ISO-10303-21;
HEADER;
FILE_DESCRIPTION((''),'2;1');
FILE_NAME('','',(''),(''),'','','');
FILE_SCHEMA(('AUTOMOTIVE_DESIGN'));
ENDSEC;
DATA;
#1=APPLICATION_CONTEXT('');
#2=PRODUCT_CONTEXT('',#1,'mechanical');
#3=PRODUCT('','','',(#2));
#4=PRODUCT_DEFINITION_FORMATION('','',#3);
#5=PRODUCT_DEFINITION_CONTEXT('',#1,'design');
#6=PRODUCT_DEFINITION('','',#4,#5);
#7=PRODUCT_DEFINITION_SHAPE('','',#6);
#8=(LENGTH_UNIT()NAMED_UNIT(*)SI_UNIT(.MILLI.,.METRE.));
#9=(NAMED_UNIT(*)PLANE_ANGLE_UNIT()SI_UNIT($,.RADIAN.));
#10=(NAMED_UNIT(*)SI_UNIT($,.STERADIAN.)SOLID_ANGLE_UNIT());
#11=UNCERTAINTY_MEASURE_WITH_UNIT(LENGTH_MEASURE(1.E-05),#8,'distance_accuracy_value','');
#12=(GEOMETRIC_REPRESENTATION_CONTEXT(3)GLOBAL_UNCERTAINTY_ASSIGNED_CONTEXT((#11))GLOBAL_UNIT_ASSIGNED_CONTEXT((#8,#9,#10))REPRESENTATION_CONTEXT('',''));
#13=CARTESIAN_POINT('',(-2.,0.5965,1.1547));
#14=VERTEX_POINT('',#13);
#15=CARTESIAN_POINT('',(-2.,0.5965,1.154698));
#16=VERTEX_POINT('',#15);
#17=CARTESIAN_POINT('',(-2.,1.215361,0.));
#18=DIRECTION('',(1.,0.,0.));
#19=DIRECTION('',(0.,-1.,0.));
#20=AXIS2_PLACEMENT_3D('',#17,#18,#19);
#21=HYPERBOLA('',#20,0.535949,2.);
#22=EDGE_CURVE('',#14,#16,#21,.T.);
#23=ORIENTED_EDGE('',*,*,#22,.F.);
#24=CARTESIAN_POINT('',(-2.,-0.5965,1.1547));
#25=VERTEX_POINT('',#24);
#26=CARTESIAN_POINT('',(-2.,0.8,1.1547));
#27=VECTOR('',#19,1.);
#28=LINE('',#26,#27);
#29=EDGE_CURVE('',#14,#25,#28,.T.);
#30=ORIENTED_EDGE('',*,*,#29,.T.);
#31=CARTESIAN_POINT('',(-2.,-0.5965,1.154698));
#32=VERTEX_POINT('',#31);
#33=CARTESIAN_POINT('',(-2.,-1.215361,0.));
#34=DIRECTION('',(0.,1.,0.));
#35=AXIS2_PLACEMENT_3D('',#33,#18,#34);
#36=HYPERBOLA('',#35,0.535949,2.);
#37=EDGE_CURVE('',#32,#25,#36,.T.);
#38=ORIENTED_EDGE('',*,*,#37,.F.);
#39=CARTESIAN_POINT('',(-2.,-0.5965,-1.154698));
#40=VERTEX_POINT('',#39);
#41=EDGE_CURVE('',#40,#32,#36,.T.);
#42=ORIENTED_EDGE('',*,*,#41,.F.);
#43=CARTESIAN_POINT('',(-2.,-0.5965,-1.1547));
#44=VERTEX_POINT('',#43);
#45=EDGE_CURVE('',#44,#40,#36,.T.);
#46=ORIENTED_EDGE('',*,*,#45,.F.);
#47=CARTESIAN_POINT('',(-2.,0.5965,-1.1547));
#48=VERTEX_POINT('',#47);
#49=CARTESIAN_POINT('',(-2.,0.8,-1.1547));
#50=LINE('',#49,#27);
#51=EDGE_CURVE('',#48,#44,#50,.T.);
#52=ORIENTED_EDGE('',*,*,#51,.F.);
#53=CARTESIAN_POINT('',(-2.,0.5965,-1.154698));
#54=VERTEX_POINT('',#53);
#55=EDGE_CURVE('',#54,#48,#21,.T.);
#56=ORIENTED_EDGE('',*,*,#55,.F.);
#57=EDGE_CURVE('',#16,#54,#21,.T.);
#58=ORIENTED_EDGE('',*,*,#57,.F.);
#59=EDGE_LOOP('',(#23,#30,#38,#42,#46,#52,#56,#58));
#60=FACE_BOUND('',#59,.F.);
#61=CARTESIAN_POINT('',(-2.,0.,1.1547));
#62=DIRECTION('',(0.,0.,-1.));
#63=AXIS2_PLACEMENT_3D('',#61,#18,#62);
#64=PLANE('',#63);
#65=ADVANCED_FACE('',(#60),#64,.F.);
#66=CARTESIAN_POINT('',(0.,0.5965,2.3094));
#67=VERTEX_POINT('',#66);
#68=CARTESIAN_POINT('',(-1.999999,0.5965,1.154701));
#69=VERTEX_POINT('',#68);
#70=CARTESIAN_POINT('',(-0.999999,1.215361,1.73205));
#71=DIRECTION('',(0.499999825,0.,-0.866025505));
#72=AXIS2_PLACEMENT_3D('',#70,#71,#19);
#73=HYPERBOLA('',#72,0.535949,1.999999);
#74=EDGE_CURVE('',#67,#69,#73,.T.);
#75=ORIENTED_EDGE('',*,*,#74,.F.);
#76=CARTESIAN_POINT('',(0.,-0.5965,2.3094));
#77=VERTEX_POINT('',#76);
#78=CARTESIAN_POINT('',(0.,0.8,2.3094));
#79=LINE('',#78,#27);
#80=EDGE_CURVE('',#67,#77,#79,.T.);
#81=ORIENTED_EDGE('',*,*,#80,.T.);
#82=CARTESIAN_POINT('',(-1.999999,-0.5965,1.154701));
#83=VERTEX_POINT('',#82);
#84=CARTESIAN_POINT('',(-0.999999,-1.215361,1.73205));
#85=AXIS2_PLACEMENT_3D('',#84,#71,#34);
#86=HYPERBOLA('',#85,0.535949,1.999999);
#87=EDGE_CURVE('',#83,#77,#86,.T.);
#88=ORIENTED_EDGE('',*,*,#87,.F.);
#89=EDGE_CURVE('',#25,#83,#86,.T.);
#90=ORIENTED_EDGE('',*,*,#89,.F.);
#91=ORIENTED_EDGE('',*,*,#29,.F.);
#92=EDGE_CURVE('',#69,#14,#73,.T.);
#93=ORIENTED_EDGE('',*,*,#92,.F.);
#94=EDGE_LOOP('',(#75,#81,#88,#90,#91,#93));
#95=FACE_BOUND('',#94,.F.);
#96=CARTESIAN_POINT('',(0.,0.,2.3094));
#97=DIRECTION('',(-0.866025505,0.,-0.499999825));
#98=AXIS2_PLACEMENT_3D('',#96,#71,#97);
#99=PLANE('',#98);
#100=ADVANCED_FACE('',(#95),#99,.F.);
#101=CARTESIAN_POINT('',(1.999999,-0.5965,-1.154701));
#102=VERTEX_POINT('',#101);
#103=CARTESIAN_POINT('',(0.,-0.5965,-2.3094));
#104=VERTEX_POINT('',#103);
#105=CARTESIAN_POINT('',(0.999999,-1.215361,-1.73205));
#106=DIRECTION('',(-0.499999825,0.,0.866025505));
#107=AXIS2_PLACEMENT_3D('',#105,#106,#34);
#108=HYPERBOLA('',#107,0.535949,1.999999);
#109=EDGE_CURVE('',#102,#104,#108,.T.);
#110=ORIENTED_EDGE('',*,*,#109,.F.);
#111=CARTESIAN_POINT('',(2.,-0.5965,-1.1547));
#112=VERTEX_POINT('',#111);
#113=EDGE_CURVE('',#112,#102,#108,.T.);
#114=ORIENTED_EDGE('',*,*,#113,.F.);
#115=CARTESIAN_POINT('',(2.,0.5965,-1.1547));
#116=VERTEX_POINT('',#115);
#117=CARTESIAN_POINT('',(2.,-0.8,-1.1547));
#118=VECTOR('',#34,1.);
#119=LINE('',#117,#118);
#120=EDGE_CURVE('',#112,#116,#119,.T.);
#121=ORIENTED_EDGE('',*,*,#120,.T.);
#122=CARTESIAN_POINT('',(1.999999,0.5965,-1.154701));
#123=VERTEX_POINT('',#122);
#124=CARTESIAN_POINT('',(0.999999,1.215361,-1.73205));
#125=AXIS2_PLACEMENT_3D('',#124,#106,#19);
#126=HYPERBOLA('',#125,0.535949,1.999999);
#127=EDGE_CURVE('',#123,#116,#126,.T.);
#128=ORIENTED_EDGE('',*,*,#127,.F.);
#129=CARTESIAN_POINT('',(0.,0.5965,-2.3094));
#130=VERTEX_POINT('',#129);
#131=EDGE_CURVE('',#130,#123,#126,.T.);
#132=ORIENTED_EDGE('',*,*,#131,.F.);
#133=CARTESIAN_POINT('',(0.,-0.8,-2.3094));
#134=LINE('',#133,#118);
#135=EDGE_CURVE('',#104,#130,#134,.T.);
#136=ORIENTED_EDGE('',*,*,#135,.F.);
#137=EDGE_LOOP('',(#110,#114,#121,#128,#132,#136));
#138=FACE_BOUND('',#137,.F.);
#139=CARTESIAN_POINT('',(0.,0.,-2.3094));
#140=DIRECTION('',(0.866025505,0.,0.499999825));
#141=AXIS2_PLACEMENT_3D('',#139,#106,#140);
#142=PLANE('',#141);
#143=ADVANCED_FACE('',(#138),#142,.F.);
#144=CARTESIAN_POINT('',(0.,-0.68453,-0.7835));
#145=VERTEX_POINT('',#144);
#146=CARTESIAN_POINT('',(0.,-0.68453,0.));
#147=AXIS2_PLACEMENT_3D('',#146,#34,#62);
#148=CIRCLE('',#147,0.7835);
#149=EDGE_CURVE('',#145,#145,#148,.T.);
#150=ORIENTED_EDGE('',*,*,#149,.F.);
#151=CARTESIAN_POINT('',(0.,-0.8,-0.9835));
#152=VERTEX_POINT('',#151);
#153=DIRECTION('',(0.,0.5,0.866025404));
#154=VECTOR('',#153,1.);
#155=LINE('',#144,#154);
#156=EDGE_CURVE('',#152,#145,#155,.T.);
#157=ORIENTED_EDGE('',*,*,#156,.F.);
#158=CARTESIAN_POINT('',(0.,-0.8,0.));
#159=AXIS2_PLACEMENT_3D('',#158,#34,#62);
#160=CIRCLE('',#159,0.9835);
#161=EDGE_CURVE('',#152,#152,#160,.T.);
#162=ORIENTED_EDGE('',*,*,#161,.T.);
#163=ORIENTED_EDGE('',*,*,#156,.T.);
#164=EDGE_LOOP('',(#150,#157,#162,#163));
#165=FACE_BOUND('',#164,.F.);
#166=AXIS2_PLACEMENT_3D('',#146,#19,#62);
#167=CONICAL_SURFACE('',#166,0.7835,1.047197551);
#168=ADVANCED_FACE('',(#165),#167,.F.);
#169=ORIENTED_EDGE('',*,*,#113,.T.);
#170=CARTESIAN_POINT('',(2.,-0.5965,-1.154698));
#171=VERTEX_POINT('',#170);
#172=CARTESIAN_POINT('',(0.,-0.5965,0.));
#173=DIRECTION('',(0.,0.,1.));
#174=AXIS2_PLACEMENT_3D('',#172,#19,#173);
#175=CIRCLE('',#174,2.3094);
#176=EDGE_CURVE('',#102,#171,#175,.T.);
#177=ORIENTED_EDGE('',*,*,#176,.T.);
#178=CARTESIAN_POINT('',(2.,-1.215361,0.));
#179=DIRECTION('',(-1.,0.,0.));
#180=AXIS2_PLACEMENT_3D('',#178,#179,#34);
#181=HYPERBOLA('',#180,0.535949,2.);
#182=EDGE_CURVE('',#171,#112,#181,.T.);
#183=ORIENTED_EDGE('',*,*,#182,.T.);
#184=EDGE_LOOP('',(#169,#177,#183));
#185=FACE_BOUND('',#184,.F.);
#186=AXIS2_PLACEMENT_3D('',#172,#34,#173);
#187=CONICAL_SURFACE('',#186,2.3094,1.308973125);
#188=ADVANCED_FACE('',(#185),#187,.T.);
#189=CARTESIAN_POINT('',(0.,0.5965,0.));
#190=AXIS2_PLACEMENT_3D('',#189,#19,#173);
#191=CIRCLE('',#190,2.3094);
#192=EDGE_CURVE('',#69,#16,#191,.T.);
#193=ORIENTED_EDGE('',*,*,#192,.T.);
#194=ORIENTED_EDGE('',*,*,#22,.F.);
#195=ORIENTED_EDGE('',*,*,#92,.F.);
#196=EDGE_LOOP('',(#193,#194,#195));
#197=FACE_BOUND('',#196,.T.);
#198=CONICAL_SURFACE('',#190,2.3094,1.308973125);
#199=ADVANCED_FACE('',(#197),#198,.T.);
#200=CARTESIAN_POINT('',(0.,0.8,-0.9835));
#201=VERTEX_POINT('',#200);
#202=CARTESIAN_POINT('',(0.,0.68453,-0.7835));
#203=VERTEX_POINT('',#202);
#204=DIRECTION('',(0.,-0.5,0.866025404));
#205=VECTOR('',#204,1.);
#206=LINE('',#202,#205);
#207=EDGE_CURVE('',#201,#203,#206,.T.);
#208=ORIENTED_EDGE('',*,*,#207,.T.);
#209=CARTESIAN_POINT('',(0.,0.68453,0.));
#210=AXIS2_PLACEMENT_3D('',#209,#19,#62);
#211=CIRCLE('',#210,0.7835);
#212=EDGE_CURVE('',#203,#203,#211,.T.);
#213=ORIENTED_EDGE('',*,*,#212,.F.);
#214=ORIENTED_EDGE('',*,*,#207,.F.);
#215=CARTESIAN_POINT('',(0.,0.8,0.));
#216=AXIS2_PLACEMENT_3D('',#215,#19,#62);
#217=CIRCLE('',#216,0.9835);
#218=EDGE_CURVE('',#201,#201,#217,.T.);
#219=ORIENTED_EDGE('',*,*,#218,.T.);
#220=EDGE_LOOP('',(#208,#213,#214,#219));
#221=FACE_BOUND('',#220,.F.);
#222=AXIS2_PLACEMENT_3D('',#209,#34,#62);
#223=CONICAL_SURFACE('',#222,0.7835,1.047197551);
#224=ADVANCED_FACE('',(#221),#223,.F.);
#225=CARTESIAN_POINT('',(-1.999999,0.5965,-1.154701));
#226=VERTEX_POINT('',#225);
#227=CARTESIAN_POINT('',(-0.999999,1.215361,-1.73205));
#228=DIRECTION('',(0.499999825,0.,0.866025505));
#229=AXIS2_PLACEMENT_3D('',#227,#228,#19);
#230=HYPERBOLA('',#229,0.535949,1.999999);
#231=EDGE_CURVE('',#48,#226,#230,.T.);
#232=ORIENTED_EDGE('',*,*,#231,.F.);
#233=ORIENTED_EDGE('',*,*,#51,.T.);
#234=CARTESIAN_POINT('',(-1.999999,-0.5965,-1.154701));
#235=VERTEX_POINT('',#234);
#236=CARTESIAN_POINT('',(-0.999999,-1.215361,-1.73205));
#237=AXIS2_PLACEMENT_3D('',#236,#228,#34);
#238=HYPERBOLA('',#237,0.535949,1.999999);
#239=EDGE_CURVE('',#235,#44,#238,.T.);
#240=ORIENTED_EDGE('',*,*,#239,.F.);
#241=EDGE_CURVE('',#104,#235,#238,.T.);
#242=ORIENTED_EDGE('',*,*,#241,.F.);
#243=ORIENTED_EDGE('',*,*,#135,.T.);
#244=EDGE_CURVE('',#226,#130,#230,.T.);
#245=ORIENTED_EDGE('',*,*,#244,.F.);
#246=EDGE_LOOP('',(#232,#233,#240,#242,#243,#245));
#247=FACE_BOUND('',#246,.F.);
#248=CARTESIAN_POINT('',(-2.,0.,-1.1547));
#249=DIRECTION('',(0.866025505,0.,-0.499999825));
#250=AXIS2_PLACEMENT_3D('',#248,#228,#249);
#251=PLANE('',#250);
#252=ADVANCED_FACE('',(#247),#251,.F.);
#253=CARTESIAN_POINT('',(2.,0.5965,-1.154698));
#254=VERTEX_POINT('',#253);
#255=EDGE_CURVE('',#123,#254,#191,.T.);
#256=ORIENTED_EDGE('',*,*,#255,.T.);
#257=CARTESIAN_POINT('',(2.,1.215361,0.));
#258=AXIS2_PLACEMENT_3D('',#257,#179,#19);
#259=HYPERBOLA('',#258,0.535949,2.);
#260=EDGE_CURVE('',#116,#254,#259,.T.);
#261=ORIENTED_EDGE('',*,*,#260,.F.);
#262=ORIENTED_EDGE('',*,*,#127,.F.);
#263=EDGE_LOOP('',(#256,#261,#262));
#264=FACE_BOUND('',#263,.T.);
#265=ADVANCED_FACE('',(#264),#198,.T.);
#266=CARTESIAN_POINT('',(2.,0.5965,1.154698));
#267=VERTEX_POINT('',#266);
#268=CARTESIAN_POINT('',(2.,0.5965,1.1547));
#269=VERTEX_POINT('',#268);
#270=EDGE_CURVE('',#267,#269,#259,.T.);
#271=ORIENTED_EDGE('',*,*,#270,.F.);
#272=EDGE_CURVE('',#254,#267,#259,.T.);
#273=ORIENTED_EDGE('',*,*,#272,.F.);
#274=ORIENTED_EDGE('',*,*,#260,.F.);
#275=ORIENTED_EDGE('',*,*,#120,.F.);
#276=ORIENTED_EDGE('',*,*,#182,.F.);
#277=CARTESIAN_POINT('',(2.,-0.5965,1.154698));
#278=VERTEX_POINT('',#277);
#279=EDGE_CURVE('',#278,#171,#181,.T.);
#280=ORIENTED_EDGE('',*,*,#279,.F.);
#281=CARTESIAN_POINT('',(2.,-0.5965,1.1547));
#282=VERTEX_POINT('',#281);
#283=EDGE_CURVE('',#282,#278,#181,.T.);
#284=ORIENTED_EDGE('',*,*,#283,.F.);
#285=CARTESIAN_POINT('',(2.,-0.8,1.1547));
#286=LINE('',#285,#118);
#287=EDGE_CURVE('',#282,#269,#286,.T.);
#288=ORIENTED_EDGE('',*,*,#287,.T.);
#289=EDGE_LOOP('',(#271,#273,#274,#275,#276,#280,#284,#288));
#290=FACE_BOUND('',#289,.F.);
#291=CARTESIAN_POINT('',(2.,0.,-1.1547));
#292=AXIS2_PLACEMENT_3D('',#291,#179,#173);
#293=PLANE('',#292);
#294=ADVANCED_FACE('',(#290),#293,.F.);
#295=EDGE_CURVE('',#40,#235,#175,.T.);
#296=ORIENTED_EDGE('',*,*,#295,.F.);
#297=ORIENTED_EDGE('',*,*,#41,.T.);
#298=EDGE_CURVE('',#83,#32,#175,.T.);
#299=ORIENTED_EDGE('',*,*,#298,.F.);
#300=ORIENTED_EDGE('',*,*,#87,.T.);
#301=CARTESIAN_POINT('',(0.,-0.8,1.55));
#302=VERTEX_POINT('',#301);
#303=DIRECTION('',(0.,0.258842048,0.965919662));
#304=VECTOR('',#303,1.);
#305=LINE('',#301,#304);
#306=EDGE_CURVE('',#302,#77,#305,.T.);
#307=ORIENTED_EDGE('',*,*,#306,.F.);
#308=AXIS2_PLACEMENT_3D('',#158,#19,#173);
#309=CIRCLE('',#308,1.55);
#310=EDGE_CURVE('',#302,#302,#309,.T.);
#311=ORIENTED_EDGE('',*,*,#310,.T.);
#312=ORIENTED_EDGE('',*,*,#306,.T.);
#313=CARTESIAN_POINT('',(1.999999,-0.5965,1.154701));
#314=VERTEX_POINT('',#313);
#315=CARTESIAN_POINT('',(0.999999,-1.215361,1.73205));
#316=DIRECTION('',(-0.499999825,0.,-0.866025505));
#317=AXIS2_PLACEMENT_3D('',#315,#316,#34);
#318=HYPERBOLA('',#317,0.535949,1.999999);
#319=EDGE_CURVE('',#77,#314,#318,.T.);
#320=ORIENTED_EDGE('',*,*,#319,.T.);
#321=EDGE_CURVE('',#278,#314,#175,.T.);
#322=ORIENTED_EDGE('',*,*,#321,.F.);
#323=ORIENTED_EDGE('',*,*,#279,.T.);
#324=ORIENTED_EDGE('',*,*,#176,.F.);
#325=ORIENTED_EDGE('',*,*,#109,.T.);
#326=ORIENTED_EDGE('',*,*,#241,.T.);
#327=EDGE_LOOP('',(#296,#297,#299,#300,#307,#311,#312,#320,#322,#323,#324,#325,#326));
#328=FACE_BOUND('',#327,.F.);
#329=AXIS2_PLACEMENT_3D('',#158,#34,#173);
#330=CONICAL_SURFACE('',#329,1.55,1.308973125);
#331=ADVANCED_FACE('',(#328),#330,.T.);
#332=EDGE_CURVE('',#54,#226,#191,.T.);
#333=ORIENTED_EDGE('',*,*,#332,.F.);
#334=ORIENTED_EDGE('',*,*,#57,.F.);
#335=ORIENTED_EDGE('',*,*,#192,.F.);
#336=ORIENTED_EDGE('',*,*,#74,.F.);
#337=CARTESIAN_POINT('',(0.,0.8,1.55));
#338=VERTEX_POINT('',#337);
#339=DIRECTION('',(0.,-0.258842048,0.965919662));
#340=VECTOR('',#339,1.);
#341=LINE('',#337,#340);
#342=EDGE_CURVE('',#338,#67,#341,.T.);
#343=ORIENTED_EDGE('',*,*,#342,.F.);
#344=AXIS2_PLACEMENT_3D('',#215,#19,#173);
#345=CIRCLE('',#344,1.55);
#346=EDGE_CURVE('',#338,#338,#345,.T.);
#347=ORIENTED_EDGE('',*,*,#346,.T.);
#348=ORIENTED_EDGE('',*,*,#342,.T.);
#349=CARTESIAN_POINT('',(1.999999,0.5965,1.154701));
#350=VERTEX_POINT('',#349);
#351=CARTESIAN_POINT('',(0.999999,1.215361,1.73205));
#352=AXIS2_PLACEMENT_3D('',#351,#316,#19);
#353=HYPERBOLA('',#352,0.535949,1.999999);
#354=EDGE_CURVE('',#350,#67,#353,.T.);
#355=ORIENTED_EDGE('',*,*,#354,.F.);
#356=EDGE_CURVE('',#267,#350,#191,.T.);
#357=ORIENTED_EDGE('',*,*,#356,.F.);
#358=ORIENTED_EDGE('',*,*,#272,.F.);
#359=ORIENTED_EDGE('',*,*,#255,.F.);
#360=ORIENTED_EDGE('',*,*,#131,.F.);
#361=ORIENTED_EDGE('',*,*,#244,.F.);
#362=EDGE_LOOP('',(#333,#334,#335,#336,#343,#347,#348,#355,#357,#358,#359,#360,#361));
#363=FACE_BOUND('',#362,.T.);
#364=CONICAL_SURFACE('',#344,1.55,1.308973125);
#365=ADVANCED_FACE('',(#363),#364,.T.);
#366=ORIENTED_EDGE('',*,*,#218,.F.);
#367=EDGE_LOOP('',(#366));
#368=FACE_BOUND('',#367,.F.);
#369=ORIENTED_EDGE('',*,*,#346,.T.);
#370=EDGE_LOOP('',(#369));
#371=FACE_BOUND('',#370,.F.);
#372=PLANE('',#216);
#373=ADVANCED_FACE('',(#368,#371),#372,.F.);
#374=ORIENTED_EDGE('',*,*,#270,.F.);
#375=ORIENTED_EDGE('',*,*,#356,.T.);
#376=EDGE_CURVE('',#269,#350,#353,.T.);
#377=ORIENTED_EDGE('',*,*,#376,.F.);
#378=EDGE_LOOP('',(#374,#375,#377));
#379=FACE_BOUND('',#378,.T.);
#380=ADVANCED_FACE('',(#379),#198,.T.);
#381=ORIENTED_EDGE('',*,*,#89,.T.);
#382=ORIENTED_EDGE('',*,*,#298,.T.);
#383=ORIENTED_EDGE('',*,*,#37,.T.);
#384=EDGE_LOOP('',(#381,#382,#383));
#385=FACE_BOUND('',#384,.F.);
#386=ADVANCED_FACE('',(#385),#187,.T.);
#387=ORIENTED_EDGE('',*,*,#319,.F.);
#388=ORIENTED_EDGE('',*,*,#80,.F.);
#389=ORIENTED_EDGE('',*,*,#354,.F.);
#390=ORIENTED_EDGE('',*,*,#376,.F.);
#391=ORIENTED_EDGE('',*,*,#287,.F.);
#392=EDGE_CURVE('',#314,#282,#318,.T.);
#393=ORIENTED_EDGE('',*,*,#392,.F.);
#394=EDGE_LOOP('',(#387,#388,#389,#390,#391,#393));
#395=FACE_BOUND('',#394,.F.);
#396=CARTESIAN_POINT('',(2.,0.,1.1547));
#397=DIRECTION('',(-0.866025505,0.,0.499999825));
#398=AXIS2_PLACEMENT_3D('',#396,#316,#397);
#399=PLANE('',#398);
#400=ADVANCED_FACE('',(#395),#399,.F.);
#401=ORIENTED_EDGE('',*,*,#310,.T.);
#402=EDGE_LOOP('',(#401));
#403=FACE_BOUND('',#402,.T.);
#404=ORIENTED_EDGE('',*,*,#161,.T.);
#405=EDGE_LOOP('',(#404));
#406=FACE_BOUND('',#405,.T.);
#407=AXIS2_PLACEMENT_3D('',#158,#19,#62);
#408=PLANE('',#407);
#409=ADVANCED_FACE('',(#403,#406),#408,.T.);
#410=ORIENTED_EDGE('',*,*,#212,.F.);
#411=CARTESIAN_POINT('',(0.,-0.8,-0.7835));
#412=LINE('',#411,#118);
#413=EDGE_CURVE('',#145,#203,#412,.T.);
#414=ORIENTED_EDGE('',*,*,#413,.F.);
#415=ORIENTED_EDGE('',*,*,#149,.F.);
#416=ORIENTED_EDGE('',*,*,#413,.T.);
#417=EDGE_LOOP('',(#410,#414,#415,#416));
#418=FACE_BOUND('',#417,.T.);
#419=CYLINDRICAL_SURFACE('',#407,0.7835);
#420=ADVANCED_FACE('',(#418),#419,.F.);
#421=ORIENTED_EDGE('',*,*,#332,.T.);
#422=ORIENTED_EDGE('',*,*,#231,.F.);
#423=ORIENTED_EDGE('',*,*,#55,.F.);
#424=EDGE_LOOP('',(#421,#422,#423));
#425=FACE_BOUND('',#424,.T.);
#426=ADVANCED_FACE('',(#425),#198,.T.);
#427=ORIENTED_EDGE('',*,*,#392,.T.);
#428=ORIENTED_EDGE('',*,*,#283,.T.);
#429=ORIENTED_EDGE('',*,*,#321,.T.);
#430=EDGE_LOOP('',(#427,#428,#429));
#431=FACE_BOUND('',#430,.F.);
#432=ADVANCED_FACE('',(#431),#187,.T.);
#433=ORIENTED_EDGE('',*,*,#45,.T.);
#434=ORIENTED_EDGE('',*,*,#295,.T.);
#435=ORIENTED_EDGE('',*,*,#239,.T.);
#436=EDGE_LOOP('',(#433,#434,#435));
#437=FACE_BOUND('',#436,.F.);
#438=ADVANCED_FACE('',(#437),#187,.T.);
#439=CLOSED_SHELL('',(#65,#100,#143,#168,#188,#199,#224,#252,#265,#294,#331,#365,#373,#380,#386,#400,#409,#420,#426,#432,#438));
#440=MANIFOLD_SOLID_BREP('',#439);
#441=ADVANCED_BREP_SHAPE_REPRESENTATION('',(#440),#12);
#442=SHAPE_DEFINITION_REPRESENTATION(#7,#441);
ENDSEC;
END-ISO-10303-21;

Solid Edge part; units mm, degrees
sketch "Sketch1" plane through (0, 0, 0) normal (0, -1, 0) x (1, 0, 0)
  line L0 (2, 1.1547) -> (0, 2.3094)
  line L1 (0, 2.3094) -> (-2, 1.1547)
  line L2 (-2, 1.1547) -> (-2, -1.1547)
  line L3 (-2, -1.1547) -> (0, -2.3094)
  line L4 (0, -2.3094) -> (2, -1.1547)
  line L5 (2, -1.1547) -> (2, 1.1547)
extrude "Protrusion1" add sketch "Sketch1" along normal mid plane 1.6
sketch "Sketch2" plane through (0, 0, 0) normal (1, 0, 0) x (0, 1, 0)
  line L0 (-0.8, 1.55) -> (-0.5965, 2.3094)
revolve "RevolvedCutout1" cut sketch "Sketch2" angle 360 about axis through (0, 0, 0) along (0, -1, 0) material side at (0, -0.7465, 1.9426)
mirror "Mirror1" about plane through (0, 0, 0) normal (0, -1, 0) of "RevolvedCutout1"
hole "孔_7" at (0, -0.8, 0) direction (0, 1, 0) diameter 1.567 end up to next start chamfer 0.2 start chamfer angle 60 end chamfer 0.2 end chamfer angle 60
